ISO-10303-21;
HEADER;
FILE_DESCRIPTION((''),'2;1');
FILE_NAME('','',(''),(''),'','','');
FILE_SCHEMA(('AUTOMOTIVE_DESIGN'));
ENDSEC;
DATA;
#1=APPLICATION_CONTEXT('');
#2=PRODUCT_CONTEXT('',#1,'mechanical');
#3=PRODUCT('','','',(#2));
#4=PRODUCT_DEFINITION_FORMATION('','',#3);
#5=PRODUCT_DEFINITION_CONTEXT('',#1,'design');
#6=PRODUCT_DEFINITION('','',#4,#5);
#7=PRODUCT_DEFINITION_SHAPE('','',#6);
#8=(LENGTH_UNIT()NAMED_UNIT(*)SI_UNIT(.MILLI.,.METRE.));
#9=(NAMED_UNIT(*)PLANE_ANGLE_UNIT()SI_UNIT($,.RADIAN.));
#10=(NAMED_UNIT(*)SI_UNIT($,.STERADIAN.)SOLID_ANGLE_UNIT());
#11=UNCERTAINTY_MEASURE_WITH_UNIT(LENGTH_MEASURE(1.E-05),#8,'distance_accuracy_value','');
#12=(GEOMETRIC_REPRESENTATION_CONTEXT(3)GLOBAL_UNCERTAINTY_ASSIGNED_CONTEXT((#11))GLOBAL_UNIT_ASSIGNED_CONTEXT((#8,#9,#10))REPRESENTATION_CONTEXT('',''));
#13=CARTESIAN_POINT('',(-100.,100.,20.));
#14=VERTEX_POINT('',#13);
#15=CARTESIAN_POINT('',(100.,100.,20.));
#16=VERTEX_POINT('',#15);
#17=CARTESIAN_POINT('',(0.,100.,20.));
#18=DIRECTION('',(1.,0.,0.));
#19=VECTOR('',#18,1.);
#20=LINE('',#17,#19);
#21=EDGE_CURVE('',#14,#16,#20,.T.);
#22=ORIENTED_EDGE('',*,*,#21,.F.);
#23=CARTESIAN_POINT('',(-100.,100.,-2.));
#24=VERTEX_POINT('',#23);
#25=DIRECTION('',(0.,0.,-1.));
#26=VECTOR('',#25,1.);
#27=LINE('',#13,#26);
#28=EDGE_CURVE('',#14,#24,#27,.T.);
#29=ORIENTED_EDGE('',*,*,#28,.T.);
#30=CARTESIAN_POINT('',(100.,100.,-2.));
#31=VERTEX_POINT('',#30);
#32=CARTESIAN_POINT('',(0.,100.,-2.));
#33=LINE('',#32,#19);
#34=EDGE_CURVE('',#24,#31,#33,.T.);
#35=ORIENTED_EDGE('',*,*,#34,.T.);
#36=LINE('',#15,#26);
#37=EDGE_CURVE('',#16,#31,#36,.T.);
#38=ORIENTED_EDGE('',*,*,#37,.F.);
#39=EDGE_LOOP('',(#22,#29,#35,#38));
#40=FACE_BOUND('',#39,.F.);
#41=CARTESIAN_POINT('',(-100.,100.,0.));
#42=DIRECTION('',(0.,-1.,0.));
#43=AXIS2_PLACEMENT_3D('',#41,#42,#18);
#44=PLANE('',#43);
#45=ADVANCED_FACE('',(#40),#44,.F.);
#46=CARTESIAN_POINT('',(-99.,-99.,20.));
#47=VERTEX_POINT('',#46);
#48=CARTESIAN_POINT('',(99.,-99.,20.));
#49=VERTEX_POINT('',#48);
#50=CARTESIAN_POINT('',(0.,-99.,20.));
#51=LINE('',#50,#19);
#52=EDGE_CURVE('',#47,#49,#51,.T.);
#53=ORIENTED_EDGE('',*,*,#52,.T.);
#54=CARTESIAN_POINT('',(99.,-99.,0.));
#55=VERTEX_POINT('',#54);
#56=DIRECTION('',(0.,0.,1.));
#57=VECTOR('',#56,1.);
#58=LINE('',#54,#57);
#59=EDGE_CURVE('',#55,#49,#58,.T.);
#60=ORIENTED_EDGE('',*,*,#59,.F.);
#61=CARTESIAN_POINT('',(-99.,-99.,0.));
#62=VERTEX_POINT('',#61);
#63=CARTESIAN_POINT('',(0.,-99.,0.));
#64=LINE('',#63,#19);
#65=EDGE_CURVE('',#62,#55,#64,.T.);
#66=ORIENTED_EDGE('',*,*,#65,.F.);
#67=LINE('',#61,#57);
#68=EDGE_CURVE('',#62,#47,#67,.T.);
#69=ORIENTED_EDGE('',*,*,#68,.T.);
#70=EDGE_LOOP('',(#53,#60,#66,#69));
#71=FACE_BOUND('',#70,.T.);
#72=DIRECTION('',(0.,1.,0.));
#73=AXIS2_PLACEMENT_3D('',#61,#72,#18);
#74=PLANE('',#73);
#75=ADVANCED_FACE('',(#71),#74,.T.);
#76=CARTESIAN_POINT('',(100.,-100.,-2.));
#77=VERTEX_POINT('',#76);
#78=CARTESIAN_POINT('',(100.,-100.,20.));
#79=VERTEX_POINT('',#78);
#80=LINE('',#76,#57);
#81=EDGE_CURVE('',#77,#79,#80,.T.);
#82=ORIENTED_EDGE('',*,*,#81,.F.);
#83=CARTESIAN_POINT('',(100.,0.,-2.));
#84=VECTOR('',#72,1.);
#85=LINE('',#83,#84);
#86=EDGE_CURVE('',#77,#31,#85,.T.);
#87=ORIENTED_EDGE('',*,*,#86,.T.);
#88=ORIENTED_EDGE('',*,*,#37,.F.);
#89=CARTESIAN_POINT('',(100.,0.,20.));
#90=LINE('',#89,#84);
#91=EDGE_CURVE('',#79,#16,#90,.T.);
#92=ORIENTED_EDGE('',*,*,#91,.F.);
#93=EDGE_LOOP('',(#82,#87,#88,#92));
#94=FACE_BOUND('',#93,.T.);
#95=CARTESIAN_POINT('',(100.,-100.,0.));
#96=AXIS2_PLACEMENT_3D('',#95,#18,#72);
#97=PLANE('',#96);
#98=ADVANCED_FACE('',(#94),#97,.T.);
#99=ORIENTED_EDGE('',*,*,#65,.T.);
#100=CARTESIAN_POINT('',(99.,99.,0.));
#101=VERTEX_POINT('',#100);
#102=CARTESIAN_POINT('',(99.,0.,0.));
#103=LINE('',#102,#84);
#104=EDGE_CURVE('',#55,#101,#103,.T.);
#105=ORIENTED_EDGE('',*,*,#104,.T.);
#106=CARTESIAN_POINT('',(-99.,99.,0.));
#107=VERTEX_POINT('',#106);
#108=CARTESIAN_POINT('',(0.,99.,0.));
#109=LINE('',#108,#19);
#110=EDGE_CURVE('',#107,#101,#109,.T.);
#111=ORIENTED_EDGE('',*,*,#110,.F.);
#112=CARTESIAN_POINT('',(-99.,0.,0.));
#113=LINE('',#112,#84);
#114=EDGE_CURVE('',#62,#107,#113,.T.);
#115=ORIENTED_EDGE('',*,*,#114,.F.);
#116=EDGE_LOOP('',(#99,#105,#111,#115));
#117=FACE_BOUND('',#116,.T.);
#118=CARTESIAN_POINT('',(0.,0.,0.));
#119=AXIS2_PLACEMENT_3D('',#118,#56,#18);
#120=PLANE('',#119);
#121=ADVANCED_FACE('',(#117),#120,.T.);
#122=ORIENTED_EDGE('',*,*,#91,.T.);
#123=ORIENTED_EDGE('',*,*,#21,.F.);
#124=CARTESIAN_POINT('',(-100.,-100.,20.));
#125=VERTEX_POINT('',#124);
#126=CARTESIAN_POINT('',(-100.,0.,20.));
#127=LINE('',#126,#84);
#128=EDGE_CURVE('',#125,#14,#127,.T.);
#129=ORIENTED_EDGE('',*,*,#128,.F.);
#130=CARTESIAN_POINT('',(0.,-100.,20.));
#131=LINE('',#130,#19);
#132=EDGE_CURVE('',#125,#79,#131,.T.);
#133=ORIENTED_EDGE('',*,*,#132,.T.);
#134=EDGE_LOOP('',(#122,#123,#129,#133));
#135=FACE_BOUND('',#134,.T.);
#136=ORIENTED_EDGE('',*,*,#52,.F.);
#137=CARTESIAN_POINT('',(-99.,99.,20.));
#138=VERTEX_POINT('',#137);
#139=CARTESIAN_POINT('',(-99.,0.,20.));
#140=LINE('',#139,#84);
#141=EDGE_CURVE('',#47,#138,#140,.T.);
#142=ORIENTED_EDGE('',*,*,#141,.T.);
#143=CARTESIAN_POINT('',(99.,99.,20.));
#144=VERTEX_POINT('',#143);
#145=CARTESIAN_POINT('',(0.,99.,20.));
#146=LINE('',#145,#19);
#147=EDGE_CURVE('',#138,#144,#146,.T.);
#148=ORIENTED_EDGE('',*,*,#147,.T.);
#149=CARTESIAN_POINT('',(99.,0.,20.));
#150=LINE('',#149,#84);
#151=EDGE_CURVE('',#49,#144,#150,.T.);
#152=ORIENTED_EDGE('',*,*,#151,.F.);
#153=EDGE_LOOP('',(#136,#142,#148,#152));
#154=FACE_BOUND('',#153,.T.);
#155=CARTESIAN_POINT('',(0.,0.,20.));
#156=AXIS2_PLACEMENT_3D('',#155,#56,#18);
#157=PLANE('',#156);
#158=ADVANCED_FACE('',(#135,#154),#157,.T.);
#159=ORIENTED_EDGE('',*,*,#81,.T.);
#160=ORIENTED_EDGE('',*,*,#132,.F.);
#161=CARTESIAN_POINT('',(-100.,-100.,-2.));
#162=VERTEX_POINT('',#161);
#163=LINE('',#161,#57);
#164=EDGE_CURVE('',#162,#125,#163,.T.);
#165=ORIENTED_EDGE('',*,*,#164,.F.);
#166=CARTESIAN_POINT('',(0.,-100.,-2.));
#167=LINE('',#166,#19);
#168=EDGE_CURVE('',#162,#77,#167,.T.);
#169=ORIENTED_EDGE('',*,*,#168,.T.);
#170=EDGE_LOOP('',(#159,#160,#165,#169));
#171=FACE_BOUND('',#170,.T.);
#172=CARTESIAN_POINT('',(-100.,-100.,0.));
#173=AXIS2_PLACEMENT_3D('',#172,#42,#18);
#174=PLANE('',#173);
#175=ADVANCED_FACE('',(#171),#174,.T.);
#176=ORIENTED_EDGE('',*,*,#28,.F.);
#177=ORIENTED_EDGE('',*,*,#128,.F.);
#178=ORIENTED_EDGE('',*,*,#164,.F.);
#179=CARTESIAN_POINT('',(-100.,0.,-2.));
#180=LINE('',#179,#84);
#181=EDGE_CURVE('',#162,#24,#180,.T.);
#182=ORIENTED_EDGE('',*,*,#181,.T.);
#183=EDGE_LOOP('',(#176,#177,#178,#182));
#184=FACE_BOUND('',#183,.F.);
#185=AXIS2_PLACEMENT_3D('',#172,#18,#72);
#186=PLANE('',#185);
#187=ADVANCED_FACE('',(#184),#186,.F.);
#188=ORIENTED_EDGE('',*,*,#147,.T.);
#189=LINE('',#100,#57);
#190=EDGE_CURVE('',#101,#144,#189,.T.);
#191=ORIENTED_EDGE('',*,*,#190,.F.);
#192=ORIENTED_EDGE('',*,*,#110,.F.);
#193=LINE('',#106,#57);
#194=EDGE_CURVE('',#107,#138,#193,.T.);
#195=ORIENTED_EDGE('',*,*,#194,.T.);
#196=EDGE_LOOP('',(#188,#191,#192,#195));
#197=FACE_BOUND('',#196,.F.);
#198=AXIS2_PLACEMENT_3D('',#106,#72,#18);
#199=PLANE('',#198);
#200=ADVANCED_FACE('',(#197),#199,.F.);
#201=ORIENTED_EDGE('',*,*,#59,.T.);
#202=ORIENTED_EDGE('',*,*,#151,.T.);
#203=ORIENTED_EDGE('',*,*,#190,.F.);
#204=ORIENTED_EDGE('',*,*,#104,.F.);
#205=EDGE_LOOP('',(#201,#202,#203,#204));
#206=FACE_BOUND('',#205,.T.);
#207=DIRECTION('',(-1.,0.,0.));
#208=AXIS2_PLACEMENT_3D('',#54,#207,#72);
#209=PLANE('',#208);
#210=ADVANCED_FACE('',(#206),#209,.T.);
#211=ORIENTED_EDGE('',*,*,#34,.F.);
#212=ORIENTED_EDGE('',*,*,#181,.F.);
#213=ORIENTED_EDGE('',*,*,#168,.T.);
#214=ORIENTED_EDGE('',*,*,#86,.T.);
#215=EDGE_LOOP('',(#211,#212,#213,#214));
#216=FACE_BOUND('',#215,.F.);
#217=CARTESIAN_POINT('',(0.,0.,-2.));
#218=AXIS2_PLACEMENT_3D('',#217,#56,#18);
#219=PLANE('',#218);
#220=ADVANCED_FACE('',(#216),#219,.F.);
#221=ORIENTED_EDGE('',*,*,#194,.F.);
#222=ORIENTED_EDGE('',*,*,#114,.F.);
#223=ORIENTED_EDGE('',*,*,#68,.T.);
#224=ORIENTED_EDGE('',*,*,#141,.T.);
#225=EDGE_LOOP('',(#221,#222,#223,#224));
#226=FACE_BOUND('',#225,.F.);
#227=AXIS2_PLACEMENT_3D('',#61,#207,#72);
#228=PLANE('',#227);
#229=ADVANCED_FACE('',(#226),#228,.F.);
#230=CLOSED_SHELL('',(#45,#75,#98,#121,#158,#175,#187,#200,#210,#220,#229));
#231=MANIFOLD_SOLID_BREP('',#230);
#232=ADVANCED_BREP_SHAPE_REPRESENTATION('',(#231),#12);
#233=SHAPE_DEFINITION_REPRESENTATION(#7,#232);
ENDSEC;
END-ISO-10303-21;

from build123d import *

# Parameters (mm, degrees)
F0_W     = 200
F0_H     = 200
F0_W_2   = 198
F0_H_2   = 198
F1_DEPTH = 20
F2_W     = 200
F2_H     = 200
F3_DEPTH = 2


with BuildPart() as f1:
    # F0 (on Top) → F1 (new body)
    with BuildSketch(Plane.XY):
        Rectangle(F0_W, F0_H)
        Rectangle(F0_W_2, F0_H_2, mode=Mode.SUBTRACT)
    extrude(amount=F1_DEPTH)

    # F2 (on Top) → F3 (join)
    with BuildSketch(Plane.XY):
        Rectangle(F2_W, F2_H)
    extrude(amount=-F3_DEPTH)


solid = f1.part
